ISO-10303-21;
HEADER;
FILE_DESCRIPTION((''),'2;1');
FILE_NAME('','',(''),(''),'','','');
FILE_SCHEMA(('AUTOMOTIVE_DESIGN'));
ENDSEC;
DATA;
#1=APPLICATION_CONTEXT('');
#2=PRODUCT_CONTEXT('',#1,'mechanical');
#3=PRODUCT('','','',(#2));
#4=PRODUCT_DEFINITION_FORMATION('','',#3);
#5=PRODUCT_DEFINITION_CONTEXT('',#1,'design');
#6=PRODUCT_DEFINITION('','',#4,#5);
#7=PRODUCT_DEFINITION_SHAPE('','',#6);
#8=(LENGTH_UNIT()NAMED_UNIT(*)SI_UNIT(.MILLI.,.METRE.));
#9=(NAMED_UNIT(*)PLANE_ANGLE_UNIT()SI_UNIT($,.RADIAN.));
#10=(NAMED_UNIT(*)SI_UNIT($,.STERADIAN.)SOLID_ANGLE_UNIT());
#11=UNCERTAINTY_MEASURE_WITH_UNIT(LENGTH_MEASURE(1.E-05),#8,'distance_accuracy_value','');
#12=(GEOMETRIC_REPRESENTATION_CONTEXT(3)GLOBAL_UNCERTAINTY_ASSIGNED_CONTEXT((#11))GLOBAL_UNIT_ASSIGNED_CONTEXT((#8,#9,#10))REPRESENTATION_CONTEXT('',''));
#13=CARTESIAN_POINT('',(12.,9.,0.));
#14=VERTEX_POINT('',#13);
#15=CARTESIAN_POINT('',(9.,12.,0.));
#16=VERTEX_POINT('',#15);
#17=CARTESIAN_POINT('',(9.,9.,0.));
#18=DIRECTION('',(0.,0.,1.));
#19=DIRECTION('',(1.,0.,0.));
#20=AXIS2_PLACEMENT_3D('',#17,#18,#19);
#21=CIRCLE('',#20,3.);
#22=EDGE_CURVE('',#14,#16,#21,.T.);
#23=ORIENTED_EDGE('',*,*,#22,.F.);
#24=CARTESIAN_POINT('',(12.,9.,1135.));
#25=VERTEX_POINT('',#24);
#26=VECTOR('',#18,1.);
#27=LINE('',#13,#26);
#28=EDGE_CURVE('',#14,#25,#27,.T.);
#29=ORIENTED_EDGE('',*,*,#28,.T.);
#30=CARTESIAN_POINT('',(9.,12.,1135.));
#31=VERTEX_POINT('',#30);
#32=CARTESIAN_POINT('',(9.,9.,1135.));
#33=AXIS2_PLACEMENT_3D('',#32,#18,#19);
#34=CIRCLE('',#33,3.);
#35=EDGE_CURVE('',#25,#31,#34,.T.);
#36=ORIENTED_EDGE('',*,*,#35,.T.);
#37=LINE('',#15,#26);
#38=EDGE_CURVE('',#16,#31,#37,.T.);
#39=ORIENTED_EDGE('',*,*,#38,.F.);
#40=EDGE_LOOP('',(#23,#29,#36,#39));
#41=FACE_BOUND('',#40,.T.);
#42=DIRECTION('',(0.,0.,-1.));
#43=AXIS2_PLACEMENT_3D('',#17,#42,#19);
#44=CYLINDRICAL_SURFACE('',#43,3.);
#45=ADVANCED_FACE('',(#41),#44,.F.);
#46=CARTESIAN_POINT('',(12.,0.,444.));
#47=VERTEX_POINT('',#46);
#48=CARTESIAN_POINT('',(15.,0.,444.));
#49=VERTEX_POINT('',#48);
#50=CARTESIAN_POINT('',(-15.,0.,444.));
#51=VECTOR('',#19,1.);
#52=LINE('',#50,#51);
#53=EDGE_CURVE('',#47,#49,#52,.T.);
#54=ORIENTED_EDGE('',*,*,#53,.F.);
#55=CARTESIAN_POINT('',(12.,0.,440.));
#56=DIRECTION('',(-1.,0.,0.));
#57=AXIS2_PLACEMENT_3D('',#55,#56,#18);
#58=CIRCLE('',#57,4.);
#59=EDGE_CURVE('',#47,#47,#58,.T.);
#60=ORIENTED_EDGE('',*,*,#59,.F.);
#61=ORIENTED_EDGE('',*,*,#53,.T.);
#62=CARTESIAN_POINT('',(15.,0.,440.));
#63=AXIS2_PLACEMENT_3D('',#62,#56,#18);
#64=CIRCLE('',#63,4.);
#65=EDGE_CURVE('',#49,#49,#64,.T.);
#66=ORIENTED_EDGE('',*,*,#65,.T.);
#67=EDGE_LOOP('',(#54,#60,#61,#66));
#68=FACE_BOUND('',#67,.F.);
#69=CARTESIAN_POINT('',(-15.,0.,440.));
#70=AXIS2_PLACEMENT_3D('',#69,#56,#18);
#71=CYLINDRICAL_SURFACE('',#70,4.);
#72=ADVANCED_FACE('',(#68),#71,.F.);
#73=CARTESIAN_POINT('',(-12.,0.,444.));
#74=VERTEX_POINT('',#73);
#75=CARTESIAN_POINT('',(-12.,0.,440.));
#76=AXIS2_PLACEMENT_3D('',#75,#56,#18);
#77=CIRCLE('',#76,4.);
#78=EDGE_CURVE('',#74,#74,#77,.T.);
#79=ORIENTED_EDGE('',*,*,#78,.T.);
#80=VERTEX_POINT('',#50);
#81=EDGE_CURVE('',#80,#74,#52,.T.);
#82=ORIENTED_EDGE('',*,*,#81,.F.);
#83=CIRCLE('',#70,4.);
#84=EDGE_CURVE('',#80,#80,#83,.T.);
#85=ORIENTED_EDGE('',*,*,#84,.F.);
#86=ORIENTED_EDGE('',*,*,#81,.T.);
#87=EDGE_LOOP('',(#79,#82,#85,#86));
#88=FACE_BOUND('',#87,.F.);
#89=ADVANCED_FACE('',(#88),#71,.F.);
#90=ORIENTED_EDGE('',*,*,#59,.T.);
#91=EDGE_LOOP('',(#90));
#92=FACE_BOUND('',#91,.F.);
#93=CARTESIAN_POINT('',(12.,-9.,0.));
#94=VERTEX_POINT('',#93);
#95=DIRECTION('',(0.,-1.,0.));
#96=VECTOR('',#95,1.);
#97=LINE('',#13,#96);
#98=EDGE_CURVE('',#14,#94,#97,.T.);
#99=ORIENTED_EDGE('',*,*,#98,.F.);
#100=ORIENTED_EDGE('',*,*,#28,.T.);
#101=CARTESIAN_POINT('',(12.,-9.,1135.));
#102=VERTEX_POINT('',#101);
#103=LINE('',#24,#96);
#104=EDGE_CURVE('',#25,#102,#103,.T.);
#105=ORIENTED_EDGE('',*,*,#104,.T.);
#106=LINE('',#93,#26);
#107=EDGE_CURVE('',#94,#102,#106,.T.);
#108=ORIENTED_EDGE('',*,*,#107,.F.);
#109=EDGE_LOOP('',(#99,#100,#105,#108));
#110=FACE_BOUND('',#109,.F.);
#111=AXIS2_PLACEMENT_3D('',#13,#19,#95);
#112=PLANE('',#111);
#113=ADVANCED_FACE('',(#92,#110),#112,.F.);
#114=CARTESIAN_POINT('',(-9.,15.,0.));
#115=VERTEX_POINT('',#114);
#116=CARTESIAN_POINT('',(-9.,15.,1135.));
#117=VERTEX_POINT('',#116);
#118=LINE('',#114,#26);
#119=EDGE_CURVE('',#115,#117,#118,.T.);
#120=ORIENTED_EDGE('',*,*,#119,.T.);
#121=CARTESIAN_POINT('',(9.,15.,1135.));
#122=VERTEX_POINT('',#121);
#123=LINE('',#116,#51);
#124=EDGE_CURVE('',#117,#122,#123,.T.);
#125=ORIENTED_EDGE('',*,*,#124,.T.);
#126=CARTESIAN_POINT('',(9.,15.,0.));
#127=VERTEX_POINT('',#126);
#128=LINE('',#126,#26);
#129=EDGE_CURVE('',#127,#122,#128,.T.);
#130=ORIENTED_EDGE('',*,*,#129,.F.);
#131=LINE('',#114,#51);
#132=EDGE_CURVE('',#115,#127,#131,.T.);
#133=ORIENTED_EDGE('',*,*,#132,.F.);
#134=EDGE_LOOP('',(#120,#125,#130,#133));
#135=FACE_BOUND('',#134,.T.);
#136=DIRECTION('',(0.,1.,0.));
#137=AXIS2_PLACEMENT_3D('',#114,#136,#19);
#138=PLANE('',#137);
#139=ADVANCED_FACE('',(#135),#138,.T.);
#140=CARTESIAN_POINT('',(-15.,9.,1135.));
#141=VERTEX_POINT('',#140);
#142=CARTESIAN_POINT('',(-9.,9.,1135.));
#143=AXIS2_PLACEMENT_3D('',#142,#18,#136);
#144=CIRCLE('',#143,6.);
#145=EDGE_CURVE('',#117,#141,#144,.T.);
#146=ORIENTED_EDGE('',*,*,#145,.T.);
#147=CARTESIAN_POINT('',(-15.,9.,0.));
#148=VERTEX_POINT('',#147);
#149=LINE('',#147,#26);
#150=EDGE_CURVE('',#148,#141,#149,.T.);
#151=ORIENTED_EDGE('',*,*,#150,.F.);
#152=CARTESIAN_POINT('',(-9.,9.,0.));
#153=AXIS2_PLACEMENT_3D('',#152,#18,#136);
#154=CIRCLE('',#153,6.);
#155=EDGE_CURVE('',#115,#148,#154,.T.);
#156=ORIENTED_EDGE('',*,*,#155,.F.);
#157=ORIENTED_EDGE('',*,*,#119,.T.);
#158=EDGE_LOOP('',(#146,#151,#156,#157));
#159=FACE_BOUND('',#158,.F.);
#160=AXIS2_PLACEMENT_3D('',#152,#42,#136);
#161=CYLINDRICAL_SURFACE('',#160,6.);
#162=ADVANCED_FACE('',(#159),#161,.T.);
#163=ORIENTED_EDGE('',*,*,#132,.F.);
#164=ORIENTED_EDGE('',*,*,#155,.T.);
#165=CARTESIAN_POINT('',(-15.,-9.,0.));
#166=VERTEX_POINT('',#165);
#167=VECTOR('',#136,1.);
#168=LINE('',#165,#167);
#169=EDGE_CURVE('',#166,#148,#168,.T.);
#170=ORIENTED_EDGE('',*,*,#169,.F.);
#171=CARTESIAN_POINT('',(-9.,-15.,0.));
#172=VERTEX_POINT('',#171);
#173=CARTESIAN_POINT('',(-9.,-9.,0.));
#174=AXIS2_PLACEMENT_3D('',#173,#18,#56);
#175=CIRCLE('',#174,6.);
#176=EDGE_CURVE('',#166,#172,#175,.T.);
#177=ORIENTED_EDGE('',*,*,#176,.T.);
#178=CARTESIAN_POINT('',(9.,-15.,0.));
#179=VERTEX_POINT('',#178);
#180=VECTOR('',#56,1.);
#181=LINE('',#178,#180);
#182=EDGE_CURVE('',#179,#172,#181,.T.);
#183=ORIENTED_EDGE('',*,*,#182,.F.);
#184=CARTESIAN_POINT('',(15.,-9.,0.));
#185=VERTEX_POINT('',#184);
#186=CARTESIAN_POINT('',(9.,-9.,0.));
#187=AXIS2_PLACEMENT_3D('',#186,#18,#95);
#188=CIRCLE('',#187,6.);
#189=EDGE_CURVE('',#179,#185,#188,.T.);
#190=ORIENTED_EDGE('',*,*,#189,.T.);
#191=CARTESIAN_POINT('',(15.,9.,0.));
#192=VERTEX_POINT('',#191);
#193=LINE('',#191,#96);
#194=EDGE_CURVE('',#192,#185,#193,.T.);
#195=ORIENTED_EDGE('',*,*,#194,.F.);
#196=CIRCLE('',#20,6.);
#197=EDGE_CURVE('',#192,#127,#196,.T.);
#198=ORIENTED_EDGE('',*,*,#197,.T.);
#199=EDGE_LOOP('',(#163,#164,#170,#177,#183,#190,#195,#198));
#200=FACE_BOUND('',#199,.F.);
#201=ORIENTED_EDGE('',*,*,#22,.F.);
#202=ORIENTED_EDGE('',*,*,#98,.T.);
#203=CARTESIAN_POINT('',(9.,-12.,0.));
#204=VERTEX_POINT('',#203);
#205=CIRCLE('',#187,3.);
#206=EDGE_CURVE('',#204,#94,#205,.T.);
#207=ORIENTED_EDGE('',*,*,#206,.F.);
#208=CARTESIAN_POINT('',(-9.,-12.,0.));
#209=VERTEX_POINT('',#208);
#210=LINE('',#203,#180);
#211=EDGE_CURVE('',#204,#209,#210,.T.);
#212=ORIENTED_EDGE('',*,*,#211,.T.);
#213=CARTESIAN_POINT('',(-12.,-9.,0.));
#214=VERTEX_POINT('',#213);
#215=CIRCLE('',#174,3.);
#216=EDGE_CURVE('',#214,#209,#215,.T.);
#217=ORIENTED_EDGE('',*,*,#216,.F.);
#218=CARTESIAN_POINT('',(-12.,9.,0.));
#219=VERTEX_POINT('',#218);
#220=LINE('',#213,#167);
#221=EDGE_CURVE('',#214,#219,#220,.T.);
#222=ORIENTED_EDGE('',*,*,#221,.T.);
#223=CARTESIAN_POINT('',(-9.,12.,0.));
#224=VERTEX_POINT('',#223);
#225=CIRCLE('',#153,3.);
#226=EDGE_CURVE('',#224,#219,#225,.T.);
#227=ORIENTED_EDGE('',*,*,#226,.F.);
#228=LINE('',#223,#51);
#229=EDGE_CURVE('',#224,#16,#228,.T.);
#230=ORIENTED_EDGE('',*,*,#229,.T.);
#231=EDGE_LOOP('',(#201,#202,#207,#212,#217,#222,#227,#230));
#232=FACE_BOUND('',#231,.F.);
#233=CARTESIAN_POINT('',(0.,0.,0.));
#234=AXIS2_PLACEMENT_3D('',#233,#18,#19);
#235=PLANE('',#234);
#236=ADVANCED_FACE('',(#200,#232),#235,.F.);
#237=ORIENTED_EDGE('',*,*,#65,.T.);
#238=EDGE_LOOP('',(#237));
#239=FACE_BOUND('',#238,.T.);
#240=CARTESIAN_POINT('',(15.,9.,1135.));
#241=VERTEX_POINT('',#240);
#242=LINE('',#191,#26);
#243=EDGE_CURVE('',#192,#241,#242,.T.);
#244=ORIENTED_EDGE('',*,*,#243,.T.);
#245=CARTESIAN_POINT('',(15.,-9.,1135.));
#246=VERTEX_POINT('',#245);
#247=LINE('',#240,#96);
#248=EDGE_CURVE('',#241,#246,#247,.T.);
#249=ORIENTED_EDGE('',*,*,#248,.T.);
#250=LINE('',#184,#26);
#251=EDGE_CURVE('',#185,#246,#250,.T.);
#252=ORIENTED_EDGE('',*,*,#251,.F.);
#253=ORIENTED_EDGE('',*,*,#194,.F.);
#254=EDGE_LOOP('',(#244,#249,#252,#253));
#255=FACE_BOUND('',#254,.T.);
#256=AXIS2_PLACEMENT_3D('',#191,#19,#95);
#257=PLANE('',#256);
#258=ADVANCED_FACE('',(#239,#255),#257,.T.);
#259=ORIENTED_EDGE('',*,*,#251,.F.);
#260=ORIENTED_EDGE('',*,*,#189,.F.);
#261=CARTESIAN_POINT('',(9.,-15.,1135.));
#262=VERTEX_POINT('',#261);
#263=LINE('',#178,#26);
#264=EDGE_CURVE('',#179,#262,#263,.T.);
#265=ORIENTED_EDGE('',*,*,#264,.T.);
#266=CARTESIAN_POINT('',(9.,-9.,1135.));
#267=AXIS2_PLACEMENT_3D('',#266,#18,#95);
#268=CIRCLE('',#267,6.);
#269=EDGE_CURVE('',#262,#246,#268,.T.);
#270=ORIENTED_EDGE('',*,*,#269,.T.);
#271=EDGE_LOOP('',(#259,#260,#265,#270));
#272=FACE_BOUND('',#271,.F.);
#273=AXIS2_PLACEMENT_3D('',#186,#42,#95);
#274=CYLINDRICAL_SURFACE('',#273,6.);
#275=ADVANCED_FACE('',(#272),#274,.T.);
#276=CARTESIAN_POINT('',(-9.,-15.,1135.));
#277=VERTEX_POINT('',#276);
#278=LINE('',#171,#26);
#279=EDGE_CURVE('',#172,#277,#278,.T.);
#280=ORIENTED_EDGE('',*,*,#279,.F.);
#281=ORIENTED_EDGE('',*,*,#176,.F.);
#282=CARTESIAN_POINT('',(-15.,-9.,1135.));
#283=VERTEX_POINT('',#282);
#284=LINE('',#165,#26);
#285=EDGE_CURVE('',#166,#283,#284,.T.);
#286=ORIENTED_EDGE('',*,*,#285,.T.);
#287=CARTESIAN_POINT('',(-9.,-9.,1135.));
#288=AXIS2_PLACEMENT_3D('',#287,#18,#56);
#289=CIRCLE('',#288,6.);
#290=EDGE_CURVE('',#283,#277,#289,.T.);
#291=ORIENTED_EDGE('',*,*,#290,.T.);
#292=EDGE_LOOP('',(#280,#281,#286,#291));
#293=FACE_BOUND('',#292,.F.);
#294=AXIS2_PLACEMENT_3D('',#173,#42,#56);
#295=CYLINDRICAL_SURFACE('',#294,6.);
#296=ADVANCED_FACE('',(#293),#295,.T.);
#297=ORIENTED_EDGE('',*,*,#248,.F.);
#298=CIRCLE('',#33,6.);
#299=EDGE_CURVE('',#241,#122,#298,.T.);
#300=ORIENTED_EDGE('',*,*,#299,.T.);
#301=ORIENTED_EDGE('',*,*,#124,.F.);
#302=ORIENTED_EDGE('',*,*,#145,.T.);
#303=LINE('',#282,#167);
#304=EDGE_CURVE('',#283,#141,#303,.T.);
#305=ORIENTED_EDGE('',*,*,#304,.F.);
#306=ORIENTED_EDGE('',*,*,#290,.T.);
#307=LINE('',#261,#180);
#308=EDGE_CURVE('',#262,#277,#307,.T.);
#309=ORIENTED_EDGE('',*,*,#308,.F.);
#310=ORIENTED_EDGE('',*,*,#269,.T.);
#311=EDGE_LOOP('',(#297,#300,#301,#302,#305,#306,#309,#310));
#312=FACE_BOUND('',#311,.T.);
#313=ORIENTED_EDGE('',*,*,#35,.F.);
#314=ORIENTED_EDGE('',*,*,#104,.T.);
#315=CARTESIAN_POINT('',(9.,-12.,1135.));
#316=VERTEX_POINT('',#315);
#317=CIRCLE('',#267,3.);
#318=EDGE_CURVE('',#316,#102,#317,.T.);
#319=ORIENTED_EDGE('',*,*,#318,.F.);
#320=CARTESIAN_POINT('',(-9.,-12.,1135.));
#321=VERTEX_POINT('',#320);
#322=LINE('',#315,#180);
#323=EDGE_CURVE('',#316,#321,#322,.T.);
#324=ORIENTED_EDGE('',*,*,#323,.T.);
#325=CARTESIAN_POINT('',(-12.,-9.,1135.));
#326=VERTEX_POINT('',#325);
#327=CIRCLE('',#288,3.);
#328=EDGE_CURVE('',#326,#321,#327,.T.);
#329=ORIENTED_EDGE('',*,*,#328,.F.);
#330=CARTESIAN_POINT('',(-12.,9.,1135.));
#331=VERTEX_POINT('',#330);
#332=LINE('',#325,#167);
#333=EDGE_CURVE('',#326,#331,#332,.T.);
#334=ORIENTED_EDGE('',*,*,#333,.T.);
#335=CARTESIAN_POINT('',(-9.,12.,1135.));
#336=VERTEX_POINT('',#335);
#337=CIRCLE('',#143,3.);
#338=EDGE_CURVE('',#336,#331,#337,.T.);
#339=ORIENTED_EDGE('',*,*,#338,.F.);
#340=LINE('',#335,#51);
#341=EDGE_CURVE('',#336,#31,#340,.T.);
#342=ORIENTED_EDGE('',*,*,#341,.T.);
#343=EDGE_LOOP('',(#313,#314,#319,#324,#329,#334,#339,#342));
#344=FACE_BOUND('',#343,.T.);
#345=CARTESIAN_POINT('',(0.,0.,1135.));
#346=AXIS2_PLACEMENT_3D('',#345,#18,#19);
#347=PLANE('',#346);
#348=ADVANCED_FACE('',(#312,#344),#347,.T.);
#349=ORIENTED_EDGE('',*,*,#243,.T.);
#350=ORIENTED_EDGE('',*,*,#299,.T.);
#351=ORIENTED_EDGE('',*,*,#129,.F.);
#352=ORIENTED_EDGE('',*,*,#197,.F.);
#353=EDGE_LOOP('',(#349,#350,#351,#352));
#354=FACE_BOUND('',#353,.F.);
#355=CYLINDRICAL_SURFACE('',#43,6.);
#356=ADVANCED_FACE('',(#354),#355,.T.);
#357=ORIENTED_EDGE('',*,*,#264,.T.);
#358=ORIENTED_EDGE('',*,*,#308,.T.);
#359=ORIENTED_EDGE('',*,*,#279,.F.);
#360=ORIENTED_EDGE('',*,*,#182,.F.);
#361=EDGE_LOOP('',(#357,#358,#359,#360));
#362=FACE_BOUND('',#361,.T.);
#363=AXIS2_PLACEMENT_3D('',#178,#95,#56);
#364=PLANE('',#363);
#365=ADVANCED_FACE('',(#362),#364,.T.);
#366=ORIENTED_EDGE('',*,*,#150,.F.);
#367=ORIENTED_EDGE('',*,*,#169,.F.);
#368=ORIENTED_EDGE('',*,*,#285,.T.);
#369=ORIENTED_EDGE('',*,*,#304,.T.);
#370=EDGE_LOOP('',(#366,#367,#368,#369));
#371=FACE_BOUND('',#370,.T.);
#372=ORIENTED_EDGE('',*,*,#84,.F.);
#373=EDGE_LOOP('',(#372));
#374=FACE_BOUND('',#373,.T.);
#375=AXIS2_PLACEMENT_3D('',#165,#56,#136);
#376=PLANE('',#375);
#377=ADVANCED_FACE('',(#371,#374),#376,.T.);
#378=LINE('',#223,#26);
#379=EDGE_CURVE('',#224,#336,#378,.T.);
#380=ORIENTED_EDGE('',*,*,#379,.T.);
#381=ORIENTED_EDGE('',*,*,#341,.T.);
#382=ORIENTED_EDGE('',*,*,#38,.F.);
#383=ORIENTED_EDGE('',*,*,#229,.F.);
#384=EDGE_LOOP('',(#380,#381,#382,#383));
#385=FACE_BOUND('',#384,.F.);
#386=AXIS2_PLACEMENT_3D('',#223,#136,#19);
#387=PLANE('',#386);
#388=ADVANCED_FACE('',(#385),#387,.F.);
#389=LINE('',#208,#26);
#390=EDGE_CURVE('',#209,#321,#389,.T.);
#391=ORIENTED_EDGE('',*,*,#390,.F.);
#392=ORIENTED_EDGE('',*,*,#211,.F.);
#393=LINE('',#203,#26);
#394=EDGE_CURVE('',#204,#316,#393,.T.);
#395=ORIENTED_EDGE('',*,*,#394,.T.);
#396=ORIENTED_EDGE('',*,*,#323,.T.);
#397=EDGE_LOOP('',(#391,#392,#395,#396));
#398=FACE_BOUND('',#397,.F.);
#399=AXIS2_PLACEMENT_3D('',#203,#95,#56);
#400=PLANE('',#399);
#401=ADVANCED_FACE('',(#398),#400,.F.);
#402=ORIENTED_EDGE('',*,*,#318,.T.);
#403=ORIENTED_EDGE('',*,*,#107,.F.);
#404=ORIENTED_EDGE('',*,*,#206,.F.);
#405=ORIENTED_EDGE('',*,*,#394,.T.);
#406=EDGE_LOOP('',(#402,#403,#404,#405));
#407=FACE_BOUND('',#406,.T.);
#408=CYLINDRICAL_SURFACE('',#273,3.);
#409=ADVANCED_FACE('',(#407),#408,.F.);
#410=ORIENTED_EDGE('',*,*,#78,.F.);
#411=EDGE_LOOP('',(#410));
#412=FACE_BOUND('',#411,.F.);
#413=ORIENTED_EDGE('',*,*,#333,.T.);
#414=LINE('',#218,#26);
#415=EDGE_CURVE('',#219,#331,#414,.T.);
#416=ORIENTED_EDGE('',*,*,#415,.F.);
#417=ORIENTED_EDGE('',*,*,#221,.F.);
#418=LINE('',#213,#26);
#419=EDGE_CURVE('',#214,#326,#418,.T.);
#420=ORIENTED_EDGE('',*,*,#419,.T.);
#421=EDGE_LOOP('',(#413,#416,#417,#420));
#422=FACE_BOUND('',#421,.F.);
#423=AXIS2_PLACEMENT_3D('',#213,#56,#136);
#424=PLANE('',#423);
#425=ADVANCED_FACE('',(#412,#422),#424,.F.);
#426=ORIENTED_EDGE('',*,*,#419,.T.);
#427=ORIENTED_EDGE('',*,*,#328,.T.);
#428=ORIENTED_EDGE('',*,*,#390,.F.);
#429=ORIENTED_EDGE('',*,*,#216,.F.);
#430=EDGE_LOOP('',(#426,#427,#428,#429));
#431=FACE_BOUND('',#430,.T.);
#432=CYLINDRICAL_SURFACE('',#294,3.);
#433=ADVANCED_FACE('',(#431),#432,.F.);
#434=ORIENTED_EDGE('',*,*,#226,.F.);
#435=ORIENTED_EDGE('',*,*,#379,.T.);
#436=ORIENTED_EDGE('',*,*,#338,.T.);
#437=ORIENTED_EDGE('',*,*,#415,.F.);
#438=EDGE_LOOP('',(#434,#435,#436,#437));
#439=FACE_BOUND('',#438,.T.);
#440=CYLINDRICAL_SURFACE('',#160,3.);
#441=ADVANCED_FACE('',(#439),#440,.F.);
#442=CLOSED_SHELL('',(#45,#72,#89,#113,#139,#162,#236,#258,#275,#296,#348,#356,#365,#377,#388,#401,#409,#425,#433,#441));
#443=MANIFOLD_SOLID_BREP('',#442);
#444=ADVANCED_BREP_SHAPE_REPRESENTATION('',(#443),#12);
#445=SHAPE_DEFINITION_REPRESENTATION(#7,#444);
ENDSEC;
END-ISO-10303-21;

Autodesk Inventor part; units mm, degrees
ref_plane "YZ Plane" through (0, 0, 0) normal (1, 0, 0) x (0, 1, 0)
ref_plane "Plano inicial" through (0, 0, 0) normal (0, 0, 1) x (1, 0, 0)
ref_plane "Plano final" through (0, 0, 2280) normal (0, 0, 1) x (1, 0, 0)
sketch "Rascunho" plane through (0, 0, 0) normal (0, 0, 1) x (1, 0, 0)
  line L0 (-15, -9) -> (-15, 9)
  line L1 (-9, 15) -> (9, 15)
  line L2 (15, 9) -> (15, -9)
  line L3 (9, -15) -> (-9, -15)
  arc A0 (-15, -9) -> (-9, -15) centre (-9, -9) ccw
  arc A1 (15, 9) -> (9, 15) centre (9, 9) ccw
  arc A2 (-9, 15) -> (-15, 9) centre (-9, 9) ccw
  arc A3 (9, -15) -> (15, -9) centre (9, -9) ccw
  arc A4 (-9, 12) -> (-12, 9) centre (-9, 9) ccw
  line L4 (-9, 12) -> (9, 12)
  arc A5 (12, 9) -> (9, 12) centre (9, 9) ccw
  line L5 (12, 9) -> (12, -9)
  arc A6 (9, -12) -> (12, -9) centre (9, -9) ccw
  line L6 (9, -12) -> (-9, -12)
  arc A7 (-12, -9) -> (-9, -12) centre (-9, -9) ccw
  line L7 (-12, -9) -> (-12, 9)
  line L8 (0, 22.7397) -> (0, -22.7397) construction
  line L9 (-22.7397, 0) -> (22.7397, 0) construction
  dimension "d7" = 6
  dimension "d9" = 30
  dimension "d11" = 30
  dimension "d12" = 3
  dimension "d15" = 15
  dimension "d16" = 15
extrude "Corpo" add sketch "Rascunho" along normal blind 1135 from surface at 0
sketch "Sketch3" plane through (0, 0, 0) normal (0, 0, 1) x (1, 0, 0)
  line L0 (0, 0) -> (10, 0)
ref_plane "Work Plane3" through (0, 0, 0) normal (0, -1, 0) x (1, 0, 0)
sketch "Esboço7" plane through (-15, 9, 0) normal (-1, 0, 0) x (0, 0, 1)
  line L0 (2280, -53.7835) -> (2280, 35.3668)
  circle A0 centre (1840, -9) radius 4
  line L1 (1862, -56.2056) -> (1862, 46.17)
  line L2 (1822, -56.2056) -> (1822, 46.17)
  line L3 (0, -24) -> (1135, -24) projected
  circle A1 centre (440, -9) radius 4
  line L4 (0, -18) -> (0, 0) projected
  point P0 (0, -9)
  point P1 (2280, -24)
  dimension "d23" = 8
  dimension "d24" = 440
  dimension "d27" = 40
  dimension "d28" = 15
  dimension "d29" = 8
  dimension "d30" = 440
  dimension "d31" = 15
extrude "Extrusão3" cut sketch "Esboço7" against normal through all
sketch "Sketch4" plane through (0, 0, 0) normal (0, -1, 0) x (1, 0, 0)
  line L0 (-2, 0) -> (12, 0) projected
  line L1 (-2, 2280) -> (12, 2280) projected
  dimension "d18" = 2280
equation "\"d7\" = G_IR"
equation "\"d9\" = G_W"
equation "\"d11\" = G_H"
equation "\"d12\" = G_T"
equation "\"d15\" = 0.5 * d9"
equation "\"d16\" = 0.5 * d11"
equation "\"G_W\" = 30"
equation "\"G_H\" = 30"
equation "\"G_T\" = 3"
equation "\"G_IR\" = 6"
equation "\"G_L\" = d18"
equation "\"G_OFFSET_START\" = 0"
equation "\"G_OFFSET_END\" = 0"
properties part number "ISO 10799-2 - 30x30x3 - 2280" material "Aço, suave"
